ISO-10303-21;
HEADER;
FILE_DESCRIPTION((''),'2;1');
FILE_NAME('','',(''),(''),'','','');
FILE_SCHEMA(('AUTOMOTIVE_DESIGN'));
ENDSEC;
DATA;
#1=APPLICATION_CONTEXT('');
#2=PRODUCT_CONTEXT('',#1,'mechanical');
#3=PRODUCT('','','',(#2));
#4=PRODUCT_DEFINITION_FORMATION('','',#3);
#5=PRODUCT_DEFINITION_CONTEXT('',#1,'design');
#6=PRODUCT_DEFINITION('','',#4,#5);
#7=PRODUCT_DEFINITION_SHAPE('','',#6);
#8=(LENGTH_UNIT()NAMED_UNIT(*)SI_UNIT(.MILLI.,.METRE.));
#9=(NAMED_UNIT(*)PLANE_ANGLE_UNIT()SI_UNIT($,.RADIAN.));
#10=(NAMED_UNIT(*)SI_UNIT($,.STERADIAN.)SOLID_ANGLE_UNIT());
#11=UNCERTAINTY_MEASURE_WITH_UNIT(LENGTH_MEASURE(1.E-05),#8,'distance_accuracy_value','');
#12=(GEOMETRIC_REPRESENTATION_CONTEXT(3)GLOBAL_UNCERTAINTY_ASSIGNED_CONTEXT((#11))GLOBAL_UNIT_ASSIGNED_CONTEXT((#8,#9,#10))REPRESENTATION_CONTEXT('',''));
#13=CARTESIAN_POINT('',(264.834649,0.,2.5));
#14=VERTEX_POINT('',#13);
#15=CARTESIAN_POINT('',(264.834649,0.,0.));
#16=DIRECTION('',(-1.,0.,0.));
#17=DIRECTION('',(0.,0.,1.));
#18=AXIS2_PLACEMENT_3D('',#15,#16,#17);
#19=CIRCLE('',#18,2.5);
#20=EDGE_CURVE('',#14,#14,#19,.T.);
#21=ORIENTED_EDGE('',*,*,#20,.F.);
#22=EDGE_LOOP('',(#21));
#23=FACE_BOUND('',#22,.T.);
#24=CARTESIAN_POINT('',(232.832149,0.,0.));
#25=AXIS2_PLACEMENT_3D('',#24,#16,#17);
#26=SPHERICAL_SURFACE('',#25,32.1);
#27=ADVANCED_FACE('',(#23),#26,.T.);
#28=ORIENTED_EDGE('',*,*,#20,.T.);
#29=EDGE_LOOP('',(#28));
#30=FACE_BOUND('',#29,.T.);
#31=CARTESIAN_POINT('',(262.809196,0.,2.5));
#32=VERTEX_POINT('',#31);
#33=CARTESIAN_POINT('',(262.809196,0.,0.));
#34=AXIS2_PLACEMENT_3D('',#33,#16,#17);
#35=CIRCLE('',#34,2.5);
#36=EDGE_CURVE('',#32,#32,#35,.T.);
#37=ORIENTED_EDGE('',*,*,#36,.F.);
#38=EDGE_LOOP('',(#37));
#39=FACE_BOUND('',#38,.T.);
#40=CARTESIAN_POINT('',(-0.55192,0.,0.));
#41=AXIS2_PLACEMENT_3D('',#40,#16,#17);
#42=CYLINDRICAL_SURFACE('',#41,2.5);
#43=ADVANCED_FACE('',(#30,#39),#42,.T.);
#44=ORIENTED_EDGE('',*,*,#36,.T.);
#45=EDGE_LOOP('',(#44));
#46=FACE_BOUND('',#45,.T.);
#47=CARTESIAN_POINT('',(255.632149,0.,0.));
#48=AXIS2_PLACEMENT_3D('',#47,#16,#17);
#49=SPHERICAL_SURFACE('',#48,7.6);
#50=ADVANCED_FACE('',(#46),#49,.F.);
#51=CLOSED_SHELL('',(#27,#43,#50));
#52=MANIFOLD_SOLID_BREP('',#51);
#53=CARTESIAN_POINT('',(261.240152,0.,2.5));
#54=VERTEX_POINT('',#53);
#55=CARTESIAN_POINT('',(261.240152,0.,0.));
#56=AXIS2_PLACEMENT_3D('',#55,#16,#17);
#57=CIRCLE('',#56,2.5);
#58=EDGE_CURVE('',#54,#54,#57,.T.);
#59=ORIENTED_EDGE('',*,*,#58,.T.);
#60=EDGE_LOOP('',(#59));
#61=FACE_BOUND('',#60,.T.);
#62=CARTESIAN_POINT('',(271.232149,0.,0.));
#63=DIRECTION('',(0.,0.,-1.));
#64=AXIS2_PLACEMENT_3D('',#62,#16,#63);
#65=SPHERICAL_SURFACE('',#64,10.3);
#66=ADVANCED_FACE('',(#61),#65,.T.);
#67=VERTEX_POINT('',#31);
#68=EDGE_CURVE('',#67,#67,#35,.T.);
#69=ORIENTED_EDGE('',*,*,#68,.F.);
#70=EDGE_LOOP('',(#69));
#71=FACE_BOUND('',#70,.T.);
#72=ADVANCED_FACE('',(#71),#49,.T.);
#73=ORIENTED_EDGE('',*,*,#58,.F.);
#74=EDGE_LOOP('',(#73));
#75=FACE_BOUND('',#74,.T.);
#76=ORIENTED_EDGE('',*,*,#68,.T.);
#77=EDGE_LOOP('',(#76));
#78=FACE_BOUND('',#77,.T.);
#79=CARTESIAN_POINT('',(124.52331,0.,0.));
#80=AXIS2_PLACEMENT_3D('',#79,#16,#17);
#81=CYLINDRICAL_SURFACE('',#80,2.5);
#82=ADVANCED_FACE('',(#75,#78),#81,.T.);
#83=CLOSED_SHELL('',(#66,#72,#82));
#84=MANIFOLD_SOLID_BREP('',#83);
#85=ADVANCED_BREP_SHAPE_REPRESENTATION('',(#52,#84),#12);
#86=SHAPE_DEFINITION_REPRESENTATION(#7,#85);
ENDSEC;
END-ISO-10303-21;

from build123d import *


with BuildPart() as part:
    # 草图1 one side → 旋转1 (revolve)
    with BuildSketch(Plane(origin=(0, 0, 0), x_dir=(1, 0, 0), z_dir=(0, 1, 0)), mode=Mode.PRIVATE) as revolve_1_sk:
        with BuildLine():
            ThreePointArc((261.240152261, 2.5), (261.009439852, 1.25945087), (260.932149058, 0))
            Line((260.932149058, 0), (263.232149058, 0))
            ThreePointArc((263.232149058, 0), (263.125664764, 1.26776274), (262.809195804, 2.5))
            Line((262.809195804, 2.5), (261.240152261, 2.5))
        make_face()
    revolve(revolve_1_sk.sketch.rotate(Axis((124.523309526, 0, 0), (1, 0, 0)), 180), axis=Axis((124.523309526, 0, 0), (1, 0, 0)))  # turned: the seam where the file's is


with BuildPart() as body_2:
    # 草图2 one side → 旋转3 (revolve)
    with BuildSketch(Plane(origin=(0, 0, 0), x_dir=(1, 0, 0), z_dir=(0, 1, 0)), mode=Mode.PRIVATE) as revolve_3_sk:
        with BuildLine():
            Line((264.83464896, 2.5), (262.809195804, 2.5))
            ThreePointArc((262.809195804, 2.5), (263.125664764, 1.26776274), (263.232149058, 0))
            Line((263.232149058, 0), (264.932149058, 0))
            ThreePointArc((264.932149058, 0), (264.907764772, 1.250950266), (264.83464896, 2.5))
        make_face()
    revolve(revolve_3_sk.sketch.rotate(Axis((-0.551919993, 0, 0), (1, 0, 0)), 180), axis=Axis((-0.551919993, 0, 0), (1, 0, 0)))  # turned: the seam where the file's is


solid = Compound([part.part, body_2.part])
